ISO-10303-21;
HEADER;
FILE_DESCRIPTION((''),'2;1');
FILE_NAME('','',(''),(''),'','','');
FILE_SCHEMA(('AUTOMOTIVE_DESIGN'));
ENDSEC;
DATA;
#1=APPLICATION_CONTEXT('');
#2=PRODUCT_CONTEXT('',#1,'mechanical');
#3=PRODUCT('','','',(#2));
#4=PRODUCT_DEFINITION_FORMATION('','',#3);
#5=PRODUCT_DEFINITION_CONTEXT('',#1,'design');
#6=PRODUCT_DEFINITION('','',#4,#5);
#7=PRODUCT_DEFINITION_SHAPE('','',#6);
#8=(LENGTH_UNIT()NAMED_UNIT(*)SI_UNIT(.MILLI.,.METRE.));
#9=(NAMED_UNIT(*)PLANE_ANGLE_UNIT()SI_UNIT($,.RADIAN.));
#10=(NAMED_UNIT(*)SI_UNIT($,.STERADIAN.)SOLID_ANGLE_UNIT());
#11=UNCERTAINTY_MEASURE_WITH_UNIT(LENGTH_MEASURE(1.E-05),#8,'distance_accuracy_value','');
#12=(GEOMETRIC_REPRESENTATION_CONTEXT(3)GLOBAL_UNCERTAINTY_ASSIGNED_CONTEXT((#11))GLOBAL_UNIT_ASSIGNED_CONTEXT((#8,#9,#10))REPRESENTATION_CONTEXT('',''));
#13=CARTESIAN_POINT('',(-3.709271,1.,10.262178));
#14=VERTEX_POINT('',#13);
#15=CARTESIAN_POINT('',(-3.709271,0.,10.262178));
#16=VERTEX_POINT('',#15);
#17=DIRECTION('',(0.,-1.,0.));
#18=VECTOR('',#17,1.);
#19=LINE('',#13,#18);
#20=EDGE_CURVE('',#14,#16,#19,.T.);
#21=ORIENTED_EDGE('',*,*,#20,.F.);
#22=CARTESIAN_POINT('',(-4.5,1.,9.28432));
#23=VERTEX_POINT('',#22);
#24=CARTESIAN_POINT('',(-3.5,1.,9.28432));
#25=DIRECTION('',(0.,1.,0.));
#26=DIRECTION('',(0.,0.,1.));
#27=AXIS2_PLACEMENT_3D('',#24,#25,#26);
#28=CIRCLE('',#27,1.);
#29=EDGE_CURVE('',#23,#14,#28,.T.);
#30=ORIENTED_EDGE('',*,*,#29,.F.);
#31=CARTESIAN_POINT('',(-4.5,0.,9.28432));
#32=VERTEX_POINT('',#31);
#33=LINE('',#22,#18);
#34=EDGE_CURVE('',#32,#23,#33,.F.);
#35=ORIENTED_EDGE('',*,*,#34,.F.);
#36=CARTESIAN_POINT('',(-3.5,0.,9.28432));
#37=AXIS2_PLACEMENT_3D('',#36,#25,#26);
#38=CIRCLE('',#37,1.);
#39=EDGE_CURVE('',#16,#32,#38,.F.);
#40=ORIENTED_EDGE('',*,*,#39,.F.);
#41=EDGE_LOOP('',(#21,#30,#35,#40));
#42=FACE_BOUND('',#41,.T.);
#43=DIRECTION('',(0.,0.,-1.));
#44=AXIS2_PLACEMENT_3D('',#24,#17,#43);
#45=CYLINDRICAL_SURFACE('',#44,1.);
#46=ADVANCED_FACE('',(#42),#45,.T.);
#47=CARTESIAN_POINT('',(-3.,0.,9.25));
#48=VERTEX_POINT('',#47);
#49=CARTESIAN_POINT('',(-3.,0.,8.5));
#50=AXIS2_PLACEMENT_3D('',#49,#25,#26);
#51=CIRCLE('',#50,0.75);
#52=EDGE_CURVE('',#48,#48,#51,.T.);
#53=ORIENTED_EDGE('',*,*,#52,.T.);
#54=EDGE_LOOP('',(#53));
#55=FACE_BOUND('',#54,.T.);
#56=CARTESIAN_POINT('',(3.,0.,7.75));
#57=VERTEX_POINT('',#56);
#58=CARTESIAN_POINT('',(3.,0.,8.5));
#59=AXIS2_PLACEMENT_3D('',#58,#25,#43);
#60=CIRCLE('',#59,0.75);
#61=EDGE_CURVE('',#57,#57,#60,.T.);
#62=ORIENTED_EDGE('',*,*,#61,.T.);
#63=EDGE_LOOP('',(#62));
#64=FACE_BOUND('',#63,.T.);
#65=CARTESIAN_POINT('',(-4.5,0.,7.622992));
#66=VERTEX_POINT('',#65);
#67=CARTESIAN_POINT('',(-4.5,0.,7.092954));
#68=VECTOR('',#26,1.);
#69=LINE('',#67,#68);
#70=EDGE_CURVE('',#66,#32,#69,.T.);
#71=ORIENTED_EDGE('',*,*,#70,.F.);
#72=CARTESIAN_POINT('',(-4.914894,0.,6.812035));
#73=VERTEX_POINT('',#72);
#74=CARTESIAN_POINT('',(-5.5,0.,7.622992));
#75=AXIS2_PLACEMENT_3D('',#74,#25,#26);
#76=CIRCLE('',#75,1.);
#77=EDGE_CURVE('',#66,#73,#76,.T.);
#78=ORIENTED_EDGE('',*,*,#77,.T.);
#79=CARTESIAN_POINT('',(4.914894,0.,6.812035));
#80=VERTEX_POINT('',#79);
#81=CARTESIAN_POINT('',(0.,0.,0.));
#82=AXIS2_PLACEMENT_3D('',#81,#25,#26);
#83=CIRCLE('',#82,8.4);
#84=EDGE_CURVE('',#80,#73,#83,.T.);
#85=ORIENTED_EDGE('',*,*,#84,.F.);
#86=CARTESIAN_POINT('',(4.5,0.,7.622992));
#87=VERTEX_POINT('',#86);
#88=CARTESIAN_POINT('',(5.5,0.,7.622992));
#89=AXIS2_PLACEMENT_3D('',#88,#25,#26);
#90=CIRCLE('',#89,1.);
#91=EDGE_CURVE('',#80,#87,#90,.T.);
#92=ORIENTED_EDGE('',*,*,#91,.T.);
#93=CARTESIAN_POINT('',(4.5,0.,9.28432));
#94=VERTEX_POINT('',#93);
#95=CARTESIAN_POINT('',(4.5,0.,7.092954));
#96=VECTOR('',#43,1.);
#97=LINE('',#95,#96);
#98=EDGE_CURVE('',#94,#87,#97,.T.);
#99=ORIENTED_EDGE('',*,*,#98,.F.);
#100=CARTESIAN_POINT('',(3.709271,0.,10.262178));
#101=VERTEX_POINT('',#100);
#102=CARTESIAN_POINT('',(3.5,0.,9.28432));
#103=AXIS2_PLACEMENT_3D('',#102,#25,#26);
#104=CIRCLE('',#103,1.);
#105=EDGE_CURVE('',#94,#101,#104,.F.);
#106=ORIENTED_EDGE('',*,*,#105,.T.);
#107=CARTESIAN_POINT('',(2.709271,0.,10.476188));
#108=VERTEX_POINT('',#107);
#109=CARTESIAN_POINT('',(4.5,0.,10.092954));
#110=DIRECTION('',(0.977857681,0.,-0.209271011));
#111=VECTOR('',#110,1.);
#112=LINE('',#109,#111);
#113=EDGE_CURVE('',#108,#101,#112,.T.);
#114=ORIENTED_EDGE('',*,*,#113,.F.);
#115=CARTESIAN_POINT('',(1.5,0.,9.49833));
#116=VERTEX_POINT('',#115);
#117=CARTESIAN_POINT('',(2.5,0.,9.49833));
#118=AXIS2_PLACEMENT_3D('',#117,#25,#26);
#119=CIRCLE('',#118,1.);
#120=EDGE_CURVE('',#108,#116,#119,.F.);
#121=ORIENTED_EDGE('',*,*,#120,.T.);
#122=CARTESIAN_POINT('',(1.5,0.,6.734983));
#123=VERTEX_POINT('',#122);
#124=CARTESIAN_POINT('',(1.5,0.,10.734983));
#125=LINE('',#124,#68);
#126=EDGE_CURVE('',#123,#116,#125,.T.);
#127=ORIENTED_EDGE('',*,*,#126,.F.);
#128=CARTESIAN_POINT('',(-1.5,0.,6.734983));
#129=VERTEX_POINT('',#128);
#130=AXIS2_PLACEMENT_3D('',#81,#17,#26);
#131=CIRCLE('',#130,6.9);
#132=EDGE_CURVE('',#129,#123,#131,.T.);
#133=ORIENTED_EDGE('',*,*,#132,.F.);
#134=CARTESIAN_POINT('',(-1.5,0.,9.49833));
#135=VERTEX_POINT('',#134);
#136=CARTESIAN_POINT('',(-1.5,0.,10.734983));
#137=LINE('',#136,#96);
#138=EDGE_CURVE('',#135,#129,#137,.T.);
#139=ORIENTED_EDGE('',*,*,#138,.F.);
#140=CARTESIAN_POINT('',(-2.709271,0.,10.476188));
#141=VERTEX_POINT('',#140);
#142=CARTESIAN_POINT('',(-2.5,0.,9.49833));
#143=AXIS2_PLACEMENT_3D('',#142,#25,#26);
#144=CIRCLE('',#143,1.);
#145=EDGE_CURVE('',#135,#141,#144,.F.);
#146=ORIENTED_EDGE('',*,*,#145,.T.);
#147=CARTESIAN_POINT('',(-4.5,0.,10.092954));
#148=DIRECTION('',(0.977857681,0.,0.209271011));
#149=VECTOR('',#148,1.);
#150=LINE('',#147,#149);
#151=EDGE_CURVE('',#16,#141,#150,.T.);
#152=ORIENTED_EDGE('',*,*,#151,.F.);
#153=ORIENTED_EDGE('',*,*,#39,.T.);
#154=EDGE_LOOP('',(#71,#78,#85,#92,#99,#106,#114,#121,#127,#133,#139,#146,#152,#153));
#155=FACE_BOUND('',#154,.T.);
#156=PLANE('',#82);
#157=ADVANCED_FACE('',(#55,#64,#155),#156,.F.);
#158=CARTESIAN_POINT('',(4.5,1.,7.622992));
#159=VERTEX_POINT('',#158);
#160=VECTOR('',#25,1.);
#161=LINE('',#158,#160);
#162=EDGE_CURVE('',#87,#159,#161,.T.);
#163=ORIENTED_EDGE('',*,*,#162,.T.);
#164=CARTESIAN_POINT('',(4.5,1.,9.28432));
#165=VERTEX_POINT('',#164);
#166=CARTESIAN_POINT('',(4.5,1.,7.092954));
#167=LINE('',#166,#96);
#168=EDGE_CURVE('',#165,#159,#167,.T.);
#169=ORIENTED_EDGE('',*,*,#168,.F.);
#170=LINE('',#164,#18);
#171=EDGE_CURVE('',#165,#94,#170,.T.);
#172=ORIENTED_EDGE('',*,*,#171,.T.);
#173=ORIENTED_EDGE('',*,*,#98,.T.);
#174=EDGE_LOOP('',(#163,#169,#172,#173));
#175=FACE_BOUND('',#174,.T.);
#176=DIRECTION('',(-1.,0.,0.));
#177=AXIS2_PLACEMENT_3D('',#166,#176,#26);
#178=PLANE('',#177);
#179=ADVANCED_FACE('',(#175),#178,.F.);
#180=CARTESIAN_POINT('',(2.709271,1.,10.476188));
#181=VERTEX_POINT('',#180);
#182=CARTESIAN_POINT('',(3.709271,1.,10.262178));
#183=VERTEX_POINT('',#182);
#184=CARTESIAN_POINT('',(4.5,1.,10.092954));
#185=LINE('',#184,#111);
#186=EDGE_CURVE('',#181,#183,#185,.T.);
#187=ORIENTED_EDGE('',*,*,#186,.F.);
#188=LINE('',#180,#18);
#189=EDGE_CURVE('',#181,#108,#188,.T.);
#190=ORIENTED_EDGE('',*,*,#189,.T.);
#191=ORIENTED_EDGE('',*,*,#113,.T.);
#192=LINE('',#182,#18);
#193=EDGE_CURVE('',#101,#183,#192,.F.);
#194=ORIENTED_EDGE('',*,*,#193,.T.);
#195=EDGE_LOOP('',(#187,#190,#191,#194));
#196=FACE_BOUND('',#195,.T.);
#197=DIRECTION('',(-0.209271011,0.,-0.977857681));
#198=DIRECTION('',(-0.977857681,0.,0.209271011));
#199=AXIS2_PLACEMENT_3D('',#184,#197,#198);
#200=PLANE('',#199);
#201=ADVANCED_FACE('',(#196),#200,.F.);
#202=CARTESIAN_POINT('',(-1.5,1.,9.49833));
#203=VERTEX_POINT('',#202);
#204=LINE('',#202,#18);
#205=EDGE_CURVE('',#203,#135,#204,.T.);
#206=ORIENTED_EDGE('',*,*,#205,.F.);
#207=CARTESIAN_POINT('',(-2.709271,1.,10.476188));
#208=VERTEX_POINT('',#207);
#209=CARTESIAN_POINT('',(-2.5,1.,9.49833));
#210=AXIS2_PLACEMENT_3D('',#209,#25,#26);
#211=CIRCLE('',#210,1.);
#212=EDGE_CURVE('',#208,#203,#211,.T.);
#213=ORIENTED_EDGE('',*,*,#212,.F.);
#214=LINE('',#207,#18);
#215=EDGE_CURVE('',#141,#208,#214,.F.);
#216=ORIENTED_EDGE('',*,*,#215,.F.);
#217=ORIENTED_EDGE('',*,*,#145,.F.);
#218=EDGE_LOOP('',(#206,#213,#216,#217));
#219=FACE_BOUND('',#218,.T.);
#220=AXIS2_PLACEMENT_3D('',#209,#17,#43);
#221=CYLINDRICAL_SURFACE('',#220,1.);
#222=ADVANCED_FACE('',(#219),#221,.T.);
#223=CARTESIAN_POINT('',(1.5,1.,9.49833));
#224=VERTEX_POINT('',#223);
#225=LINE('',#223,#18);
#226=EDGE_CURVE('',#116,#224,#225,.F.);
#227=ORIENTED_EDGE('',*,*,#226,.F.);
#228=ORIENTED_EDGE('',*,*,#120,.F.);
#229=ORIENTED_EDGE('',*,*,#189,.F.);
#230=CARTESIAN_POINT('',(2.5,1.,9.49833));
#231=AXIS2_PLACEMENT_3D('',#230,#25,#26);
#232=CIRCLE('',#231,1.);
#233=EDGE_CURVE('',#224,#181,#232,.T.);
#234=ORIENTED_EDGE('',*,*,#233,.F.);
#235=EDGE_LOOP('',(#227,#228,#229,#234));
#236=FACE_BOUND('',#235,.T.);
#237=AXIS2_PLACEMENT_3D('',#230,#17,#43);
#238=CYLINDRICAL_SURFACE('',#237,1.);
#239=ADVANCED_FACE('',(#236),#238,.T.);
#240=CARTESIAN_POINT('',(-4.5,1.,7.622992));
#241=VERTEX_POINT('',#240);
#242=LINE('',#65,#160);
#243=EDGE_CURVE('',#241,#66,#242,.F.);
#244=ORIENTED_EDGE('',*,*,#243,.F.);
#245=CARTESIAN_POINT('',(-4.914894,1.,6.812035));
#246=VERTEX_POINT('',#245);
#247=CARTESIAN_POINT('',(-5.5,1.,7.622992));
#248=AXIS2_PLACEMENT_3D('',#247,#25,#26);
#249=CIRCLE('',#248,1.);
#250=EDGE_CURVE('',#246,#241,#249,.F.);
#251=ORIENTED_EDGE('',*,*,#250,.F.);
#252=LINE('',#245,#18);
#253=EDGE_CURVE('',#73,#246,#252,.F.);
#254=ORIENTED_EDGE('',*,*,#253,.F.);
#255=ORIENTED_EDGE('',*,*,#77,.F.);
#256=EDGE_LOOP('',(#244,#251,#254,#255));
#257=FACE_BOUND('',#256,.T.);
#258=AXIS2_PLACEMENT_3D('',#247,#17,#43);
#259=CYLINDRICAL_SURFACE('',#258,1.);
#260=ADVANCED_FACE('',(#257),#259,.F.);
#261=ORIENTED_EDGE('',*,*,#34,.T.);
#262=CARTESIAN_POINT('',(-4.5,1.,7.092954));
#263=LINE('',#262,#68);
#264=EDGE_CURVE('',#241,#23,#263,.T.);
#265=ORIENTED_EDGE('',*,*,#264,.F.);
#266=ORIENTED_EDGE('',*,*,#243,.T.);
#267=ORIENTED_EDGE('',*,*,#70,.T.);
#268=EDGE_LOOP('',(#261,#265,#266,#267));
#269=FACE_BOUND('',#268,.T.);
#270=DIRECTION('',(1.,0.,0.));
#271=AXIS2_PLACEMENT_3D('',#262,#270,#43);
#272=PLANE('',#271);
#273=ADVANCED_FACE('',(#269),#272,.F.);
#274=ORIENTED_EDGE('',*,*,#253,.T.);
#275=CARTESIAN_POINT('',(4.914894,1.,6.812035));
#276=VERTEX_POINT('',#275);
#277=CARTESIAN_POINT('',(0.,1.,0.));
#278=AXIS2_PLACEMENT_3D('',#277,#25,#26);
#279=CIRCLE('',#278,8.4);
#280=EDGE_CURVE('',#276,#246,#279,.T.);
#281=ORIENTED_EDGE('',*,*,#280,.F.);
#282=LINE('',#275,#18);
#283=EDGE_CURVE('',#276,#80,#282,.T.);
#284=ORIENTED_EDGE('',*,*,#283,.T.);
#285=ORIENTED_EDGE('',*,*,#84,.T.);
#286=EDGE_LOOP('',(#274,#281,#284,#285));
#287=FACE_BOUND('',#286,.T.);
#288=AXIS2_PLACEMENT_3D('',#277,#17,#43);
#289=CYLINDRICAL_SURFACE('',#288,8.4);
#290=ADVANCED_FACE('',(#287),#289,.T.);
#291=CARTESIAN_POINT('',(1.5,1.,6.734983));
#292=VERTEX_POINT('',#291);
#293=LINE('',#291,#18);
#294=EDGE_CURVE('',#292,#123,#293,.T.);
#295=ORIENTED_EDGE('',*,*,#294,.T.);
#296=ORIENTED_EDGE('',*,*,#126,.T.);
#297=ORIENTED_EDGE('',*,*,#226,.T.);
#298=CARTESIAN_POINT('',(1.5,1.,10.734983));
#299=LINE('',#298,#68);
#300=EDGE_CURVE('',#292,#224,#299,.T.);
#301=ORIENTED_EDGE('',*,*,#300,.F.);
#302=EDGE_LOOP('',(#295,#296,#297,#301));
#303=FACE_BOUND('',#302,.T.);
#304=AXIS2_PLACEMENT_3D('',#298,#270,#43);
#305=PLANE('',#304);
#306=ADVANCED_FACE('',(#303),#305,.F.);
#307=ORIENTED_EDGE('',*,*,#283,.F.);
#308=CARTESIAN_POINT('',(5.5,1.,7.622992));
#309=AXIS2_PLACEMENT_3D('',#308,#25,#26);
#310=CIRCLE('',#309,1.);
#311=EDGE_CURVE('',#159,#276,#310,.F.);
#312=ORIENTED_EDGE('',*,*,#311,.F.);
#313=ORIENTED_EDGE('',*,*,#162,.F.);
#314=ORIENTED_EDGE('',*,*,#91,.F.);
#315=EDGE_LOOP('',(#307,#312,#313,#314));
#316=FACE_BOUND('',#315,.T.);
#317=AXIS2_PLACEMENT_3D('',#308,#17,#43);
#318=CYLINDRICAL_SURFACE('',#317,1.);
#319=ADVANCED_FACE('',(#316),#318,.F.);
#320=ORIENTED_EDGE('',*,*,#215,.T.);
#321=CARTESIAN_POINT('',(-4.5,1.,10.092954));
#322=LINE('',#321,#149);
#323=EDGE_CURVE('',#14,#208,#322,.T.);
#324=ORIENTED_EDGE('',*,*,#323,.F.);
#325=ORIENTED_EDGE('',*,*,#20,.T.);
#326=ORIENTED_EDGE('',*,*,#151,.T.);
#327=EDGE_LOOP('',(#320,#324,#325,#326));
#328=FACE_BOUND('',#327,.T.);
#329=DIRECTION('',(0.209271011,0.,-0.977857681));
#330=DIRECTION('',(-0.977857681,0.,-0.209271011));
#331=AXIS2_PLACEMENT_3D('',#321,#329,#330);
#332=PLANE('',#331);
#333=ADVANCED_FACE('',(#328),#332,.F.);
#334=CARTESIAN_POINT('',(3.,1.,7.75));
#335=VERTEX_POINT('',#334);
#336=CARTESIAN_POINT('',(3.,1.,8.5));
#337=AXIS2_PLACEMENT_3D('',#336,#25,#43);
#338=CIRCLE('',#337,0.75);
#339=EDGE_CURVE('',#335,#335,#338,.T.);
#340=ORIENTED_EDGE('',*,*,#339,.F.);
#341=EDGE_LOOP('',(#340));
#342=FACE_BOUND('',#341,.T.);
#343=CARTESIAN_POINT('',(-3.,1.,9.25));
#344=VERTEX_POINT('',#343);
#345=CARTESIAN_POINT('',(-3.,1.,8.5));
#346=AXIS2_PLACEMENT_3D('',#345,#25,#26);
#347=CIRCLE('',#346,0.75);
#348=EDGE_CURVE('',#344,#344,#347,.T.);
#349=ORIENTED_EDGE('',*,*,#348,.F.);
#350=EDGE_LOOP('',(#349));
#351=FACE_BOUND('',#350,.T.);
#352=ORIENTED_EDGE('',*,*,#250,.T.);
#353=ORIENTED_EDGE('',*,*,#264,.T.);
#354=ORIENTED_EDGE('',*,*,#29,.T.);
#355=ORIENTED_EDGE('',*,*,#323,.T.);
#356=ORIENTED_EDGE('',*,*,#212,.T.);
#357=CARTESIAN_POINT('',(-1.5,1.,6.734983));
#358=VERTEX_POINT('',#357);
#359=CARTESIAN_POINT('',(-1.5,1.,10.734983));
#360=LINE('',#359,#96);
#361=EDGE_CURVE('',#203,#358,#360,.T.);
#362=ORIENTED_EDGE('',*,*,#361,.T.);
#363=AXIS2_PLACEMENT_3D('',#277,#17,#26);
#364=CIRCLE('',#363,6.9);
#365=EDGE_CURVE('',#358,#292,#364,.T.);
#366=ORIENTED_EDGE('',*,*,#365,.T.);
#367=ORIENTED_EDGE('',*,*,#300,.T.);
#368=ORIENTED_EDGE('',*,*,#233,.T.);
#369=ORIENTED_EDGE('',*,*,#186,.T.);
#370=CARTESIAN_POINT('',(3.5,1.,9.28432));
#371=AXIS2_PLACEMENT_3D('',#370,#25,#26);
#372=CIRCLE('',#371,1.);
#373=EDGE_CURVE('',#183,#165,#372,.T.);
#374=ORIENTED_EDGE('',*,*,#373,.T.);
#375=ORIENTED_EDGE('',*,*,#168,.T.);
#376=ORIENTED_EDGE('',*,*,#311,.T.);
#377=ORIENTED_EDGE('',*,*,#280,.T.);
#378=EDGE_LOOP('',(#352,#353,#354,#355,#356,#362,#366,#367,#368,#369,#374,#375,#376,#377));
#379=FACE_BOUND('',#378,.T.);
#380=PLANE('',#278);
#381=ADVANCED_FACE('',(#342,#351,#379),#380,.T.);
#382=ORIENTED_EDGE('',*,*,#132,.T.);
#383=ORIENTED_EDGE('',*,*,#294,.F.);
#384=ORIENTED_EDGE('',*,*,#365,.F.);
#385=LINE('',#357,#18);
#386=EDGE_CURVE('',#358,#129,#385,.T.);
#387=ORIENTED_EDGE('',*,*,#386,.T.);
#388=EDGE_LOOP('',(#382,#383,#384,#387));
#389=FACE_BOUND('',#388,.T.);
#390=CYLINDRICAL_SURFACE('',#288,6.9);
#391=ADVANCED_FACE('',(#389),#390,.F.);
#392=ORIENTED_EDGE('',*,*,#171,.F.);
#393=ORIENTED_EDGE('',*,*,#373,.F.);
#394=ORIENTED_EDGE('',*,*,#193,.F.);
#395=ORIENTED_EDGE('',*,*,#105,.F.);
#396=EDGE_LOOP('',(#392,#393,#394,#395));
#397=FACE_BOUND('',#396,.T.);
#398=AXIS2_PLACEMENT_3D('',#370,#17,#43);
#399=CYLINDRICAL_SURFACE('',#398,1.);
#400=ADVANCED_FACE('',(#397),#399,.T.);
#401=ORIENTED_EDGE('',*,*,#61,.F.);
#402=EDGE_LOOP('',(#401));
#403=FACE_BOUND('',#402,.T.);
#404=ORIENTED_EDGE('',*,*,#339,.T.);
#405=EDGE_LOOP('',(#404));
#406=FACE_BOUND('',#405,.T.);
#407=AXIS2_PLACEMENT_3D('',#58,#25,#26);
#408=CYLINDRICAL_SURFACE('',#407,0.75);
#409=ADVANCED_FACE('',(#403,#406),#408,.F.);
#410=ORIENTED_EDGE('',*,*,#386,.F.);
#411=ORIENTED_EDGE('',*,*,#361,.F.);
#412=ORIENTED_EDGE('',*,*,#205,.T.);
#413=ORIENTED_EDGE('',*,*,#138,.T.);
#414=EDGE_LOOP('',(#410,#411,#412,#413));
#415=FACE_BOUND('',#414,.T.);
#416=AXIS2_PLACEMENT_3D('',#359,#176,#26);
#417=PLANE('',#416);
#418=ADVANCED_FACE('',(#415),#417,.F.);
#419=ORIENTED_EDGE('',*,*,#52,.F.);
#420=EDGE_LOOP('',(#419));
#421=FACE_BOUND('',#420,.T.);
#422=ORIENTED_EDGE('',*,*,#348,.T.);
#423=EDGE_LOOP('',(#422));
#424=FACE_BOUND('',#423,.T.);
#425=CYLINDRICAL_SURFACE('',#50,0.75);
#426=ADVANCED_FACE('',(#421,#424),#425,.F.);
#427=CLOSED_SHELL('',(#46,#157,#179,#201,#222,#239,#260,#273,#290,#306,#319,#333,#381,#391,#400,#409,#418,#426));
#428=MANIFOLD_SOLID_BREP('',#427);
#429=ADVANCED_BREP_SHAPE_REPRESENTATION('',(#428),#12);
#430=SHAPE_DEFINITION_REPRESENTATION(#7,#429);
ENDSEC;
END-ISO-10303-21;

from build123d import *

# Parameters (mm, degrees)
EXTRUDE_1_DEPTH     = 1
SKETCH_2_R          = 0.75
CUT_EXTRUDE_1_DEPTH = 2
FILLET_1_R          = 1


with BuildPart() as part:
    # 草图1 → 凸台-拉伸1 (new body)
    with BuildSketch(Plane(origin=(0, 0, 0), x_dir=(1, 0, 0), z_dir=(0, 1, 0))):
        with BuildLine():
            Line((-4.5, -7.092954251), (-4.5, -10.092954251))
            Line((-4.5, -10.092954251), (-1.5, -10.734983296))
            Line((-1.5, -10.734983296), (-1.5, -6.734983296))
            ThreePointArc((-1.5, -6.734983296), (0, 6.9), (1.5, -6.734983296))
            Line((1.5, -6.734983296), (1.5, -10.734983296))
            Line((1.5, -10.734983296), (4.5, -10.092954251))
            Line((4.5, -10.092954251), (4.5, -7.092954251))
            ThreePointArc((4.5, -7.092954251), (0, 8.4), (-4.5, -7.092954251))
        make_face()
    extrude(amount=EXTRUDE_1_DEPTH)

    # 草图2 → 切除-拉伸1 (cut, through all)
    with BuildSketch(Plane(origin=(0, 1, 0), x_dir=(1, 0, 0), z_dir=(0, 1, 0))):
        with Locations((-3, -8.5)):
            Circle(SKETCH_2_R)
        with Locations((3, -8.5)):
            Circle(SKETCH_2_R)
    extrude(amount=-CUT_EXTRUDE_1_DEPTH, mode=Mode.SUBTRACT)

    # 圆角1
    fillet_1_edges = [part.edges().sort_by_distance(p)[0] for p in [
        (4.5, 0.5, 7.092954251),
        (4.5, 0.5, 10.092954251),
        (1.5, 0.5, 10.734983296),
        (-1.5, 0.5, 10.734983296),
        (-4.5, 0.5, 10.092954251),
        (-4.5, 0.5, 7.092954251),
    ]]
    fillet(fillet_1_edges, radius=FILLET_1_R)


solid = part.part
